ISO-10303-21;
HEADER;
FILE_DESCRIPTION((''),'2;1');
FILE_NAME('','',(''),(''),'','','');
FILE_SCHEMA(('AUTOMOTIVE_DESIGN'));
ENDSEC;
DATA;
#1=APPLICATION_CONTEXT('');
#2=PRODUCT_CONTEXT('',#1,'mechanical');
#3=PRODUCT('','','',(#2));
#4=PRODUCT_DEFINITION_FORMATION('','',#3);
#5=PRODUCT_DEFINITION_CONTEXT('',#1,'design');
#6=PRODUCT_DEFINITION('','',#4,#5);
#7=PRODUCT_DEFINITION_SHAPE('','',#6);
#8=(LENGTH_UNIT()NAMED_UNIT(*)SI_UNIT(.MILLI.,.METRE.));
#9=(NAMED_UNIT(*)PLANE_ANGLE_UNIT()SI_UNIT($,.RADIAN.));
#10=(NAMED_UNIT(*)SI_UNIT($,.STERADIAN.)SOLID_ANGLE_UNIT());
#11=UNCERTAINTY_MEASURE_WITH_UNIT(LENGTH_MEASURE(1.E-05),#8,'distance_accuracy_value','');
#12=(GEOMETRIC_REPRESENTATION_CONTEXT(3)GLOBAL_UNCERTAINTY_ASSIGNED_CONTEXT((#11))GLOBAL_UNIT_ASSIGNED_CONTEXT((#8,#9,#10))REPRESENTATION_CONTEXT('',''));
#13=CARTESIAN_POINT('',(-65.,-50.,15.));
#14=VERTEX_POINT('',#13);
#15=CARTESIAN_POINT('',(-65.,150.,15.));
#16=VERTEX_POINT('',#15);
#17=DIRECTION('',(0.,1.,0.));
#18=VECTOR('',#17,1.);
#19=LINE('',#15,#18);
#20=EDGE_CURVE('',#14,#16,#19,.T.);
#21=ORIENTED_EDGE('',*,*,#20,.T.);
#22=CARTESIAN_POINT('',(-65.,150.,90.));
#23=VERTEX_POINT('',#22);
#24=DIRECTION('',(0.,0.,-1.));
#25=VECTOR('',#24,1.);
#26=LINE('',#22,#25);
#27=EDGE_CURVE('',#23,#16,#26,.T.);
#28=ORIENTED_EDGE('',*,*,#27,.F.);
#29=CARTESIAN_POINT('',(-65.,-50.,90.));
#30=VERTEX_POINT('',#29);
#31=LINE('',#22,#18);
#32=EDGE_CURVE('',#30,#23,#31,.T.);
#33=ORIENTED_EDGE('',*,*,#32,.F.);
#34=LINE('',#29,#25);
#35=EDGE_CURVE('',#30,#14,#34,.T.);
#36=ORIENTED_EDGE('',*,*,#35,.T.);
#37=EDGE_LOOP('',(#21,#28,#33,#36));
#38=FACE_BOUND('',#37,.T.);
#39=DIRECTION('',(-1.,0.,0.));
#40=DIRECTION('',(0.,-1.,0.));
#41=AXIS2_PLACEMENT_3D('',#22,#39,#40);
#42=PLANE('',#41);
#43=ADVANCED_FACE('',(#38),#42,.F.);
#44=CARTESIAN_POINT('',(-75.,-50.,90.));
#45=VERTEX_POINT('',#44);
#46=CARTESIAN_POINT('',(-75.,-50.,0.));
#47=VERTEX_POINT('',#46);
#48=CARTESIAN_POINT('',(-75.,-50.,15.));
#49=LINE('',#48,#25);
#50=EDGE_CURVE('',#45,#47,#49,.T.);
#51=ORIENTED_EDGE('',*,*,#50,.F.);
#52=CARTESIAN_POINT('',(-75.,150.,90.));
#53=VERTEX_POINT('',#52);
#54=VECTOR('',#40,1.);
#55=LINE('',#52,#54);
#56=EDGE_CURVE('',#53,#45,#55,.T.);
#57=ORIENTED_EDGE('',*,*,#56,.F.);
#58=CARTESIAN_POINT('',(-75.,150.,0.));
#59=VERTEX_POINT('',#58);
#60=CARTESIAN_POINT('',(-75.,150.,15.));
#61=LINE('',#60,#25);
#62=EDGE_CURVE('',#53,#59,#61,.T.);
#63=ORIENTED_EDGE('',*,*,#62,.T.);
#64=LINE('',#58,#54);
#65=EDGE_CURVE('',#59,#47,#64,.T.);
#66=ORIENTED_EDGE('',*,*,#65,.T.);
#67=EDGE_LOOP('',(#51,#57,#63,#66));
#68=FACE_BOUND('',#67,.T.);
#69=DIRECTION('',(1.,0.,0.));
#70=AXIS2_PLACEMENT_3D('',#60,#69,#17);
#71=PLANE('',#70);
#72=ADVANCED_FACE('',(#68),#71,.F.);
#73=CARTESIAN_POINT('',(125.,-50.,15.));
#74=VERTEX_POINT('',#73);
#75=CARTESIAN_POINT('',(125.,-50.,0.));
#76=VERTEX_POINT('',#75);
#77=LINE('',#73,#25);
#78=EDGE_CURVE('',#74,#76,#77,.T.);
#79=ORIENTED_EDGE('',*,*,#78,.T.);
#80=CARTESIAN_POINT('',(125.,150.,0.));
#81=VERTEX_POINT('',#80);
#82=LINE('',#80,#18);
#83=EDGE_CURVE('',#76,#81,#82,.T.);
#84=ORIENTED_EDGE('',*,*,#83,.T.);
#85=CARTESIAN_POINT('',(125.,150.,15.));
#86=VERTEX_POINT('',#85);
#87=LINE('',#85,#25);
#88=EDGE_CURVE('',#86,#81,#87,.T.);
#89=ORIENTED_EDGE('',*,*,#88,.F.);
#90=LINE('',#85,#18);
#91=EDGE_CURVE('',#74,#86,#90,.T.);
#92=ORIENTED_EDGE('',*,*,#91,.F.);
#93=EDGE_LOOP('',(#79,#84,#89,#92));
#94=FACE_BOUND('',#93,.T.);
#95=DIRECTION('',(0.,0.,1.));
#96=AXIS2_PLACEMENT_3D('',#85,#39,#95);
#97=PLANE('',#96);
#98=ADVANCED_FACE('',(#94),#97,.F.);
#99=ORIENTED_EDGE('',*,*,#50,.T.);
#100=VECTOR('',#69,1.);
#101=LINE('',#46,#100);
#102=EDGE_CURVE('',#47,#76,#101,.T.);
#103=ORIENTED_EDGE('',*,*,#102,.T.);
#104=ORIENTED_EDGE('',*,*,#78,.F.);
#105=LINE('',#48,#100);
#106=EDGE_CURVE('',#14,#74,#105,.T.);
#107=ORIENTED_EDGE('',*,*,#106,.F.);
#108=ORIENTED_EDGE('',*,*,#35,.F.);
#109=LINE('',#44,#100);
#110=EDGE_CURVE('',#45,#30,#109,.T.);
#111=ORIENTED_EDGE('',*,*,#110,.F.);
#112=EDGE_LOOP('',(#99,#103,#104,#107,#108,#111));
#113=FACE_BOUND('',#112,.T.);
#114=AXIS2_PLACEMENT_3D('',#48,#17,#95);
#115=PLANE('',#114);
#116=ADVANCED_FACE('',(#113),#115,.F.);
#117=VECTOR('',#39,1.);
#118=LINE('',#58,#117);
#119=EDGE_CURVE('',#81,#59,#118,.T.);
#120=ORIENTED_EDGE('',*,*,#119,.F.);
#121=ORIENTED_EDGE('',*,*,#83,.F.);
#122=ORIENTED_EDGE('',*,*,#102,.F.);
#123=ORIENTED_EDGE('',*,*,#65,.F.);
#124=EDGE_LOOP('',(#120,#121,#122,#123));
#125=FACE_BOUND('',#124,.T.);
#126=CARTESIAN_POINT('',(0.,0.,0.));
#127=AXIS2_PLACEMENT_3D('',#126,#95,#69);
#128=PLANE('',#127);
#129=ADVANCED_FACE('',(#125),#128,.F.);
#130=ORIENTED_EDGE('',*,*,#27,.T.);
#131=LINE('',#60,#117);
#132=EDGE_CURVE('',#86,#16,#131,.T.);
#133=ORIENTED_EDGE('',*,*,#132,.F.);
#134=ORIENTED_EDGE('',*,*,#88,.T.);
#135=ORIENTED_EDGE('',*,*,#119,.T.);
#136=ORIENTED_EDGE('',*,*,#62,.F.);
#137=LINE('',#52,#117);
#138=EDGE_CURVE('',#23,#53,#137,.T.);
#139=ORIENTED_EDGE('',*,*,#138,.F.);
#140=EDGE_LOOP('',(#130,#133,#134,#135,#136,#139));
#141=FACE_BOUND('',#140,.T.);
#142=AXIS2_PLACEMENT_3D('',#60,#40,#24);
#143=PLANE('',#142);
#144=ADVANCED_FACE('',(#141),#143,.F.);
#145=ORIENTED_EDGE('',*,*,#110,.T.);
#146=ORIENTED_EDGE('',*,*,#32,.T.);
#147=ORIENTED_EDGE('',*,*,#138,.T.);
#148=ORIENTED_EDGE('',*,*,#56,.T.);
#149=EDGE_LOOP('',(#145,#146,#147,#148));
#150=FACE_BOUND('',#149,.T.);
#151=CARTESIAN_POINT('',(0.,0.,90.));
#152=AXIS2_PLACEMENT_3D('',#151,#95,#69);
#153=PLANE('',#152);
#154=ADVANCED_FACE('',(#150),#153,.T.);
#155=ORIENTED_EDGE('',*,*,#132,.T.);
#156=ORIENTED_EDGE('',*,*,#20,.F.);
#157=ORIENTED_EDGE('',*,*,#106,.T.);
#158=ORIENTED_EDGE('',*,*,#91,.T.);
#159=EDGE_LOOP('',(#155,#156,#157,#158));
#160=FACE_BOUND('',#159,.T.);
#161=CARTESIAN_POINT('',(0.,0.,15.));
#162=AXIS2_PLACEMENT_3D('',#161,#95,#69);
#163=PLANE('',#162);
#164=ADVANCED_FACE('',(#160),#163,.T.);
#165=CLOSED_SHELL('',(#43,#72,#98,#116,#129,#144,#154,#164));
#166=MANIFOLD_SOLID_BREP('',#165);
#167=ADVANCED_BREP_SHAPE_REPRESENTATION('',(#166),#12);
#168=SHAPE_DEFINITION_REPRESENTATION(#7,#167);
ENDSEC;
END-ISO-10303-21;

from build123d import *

# Parameters (mm, degrees)
SKETCH3_W           = 200
SKETCH3_H           = 200
BOSS_EXTRUDE1_DEPTH = 15
SKETCH4_W           = 10
SKETCH4_H           = 200
BOSS_EXTRUDE2_DEPTH = 75


with BuildPart() as part:
    # Sketch3 → Boss-Extrude1 (new body)
    with BuildSketch(Plane.XY):
        with Locations((25, 50)):
            Rectangle(SKETCH3_W, SKETCH3_H)
    extrude(amount=BOSS_EXTRUDE1_DEPTH)

    # Sketch4 → Boss-Extrude2 (add)
    with BuildSketch(Plane.XY.offset(15)):
        with Locations((-70, 50)):
            Rectangle(SKETCH4_W, SKETCH4_H)
    extrude(amount=BOSS_EXTRUDE2_DEPTH)


solid = part.part
